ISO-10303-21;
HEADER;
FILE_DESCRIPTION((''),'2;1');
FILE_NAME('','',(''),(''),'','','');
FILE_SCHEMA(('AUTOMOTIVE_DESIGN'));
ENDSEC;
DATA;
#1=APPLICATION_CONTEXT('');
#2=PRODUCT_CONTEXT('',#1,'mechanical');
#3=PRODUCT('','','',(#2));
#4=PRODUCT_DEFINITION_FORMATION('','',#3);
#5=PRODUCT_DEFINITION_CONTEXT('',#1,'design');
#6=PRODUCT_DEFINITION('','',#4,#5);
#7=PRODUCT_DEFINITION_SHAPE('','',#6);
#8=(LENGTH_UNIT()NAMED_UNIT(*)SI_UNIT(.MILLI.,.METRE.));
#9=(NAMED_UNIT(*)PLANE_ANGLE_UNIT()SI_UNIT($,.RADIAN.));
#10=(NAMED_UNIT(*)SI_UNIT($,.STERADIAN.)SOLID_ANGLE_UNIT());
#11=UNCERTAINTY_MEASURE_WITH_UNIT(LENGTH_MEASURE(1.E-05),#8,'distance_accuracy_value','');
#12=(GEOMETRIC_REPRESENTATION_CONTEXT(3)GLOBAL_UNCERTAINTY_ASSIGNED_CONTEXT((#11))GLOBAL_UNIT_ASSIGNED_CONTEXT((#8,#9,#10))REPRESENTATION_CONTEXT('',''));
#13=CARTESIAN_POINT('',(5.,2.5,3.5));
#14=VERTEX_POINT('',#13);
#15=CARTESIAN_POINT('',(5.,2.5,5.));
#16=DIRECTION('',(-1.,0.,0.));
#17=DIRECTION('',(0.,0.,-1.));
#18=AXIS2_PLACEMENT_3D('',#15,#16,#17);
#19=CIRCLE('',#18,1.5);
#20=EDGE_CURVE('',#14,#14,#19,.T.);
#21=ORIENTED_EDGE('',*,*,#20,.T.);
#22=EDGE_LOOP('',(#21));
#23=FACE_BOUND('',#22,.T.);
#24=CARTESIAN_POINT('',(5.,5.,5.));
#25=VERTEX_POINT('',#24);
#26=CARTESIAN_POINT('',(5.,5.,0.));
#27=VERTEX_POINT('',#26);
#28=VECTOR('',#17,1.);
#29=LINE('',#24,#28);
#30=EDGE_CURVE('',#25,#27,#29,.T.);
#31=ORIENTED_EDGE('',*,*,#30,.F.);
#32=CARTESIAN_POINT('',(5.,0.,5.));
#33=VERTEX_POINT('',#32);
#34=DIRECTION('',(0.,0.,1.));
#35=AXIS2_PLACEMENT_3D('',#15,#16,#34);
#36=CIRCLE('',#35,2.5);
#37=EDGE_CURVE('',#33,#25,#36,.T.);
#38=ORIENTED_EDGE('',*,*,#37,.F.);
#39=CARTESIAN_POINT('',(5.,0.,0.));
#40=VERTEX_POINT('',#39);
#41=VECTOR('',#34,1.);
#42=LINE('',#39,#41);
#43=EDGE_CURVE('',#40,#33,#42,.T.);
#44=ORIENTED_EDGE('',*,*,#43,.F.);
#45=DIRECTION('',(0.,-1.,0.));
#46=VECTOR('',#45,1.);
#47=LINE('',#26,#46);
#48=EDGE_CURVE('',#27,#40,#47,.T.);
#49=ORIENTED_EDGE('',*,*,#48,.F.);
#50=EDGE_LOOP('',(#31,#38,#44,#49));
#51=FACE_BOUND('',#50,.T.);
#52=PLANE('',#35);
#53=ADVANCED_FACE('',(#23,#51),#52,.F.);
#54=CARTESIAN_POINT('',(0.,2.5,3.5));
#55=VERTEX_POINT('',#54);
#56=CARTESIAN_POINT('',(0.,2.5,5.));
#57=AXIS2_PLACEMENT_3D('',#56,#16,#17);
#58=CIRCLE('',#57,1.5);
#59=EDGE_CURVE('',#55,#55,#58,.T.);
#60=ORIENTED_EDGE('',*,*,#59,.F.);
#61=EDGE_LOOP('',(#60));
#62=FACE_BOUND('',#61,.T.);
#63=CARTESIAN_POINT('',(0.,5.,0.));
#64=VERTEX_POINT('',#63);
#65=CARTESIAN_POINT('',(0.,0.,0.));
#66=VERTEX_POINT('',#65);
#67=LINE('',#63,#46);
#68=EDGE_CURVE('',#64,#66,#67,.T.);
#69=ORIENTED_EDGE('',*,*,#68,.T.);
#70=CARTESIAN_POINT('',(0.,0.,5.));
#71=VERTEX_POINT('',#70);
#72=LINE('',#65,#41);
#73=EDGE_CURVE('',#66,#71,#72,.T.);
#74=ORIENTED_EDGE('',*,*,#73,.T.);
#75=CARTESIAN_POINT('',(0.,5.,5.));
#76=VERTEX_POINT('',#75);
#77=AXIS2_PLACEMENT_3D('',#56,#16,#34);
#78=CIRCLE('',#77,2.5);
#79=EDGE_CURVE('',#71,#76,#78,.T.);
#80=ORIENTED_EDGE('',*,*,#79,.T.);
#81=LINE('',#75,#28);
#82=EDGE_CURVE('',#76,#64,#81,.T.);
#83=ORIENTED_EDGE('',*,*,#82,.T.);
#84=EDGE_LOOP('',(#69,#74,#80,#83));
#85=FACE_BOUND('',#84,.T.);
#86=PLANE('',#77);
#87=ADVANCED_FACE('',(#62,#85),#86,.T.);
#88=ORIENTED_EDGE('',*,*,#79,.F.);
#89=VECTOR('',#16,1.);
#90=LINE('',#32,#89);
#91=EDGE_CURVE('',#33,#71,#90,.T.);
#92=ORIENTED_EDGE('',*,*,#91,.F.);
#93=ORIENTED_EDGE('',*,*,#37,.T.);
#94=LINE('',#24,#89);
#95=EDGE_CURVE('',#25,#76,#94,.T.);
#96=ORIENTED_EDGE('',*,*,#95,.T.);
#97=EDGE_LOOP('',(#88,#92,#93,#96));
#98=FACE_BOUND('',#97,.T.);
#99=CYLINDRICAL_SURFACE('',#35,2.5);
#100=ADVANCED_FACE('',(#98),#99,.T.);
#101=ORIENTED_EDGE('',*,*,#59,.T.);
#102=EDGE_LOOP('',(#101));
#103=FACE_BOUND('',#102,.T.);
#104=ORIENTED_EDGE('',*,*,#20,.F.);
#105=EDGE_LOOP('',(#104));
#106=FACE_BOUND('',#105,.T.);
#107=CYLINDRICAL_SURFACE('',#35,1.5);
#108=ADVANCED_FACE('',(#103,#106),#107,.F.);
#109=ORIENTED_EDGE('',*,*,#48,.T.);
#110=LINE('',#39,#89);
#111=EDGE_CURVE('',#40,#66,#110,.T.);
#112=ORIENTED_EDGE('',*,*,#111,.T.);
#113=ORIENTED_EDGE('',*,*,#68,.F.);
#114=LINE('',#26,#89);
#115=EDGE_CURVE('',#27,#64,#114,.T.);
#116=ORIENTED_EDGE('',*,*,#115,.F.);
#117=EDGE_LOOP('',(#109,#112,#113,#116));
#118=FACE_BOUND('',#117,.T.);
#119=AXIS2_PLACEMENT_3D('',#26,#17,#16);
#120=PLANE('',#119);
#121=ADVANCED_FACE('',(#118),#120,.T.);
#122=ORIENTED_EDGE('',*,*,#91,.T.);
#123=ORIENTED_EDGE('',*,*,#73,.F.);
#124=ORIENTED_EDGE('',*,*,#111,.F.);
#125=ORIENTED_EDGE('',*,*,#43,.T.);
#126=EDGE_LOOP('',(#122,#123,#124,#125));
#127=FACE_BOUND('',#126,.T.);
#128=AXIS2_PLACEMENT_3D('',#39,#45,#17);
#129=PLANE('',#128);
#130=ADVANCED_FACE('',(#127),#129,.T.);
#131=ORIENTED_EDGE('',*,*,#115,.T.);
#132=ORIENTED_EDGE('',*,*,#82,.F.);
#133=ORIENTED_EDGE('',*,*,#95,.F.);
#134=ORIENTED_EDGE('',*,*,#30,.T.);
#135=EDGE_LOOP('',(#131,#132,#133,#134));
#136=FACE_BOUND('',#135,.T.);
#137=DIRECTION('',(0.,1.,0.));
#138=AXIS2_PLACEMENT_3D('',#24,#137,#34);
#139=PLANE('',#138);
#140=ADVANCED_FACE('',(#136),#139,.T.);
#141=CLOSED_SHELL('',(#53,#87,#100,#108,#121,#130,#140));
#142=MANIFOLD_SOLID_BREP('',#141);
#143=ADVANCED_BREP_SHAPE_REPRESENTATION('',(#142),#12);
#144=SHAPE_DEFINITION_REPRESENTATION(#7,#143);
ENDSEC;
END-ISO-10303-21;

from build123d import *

# Parameters (mm, degrees)
ESQUISSE1_R        = 1.5
BOSS_EXTRU_1_DEPTH = 5


with BuildPart() as part:
    # Esquisse1 → Boss.-Extru.1 (new body)
    with BuildSketch(Plane(origin=(0, 0, 0), x_dir=(0, -1, 0), z_dir=(-1, 0, 0))):
        with BuildLine():
            Line((-5, 5), (-5, 0))
            Line((-5, 0), (0, 0))
            Line((0, 0), (0, 5))
            ThreePointArc((0, 5), (-2.5, 7.5), (-5, 5))
        make_face()
        with Locations(Location((-2.5, 5, 0), (0, 0, 270))):  # turned: the seam where the file's is
            Circle(ESQUISSE1_R, mode=Mode.SUBTRACT)
    extrude(amount=-BOSS_EXTRU_1_DEPTH)


solid = part.part
